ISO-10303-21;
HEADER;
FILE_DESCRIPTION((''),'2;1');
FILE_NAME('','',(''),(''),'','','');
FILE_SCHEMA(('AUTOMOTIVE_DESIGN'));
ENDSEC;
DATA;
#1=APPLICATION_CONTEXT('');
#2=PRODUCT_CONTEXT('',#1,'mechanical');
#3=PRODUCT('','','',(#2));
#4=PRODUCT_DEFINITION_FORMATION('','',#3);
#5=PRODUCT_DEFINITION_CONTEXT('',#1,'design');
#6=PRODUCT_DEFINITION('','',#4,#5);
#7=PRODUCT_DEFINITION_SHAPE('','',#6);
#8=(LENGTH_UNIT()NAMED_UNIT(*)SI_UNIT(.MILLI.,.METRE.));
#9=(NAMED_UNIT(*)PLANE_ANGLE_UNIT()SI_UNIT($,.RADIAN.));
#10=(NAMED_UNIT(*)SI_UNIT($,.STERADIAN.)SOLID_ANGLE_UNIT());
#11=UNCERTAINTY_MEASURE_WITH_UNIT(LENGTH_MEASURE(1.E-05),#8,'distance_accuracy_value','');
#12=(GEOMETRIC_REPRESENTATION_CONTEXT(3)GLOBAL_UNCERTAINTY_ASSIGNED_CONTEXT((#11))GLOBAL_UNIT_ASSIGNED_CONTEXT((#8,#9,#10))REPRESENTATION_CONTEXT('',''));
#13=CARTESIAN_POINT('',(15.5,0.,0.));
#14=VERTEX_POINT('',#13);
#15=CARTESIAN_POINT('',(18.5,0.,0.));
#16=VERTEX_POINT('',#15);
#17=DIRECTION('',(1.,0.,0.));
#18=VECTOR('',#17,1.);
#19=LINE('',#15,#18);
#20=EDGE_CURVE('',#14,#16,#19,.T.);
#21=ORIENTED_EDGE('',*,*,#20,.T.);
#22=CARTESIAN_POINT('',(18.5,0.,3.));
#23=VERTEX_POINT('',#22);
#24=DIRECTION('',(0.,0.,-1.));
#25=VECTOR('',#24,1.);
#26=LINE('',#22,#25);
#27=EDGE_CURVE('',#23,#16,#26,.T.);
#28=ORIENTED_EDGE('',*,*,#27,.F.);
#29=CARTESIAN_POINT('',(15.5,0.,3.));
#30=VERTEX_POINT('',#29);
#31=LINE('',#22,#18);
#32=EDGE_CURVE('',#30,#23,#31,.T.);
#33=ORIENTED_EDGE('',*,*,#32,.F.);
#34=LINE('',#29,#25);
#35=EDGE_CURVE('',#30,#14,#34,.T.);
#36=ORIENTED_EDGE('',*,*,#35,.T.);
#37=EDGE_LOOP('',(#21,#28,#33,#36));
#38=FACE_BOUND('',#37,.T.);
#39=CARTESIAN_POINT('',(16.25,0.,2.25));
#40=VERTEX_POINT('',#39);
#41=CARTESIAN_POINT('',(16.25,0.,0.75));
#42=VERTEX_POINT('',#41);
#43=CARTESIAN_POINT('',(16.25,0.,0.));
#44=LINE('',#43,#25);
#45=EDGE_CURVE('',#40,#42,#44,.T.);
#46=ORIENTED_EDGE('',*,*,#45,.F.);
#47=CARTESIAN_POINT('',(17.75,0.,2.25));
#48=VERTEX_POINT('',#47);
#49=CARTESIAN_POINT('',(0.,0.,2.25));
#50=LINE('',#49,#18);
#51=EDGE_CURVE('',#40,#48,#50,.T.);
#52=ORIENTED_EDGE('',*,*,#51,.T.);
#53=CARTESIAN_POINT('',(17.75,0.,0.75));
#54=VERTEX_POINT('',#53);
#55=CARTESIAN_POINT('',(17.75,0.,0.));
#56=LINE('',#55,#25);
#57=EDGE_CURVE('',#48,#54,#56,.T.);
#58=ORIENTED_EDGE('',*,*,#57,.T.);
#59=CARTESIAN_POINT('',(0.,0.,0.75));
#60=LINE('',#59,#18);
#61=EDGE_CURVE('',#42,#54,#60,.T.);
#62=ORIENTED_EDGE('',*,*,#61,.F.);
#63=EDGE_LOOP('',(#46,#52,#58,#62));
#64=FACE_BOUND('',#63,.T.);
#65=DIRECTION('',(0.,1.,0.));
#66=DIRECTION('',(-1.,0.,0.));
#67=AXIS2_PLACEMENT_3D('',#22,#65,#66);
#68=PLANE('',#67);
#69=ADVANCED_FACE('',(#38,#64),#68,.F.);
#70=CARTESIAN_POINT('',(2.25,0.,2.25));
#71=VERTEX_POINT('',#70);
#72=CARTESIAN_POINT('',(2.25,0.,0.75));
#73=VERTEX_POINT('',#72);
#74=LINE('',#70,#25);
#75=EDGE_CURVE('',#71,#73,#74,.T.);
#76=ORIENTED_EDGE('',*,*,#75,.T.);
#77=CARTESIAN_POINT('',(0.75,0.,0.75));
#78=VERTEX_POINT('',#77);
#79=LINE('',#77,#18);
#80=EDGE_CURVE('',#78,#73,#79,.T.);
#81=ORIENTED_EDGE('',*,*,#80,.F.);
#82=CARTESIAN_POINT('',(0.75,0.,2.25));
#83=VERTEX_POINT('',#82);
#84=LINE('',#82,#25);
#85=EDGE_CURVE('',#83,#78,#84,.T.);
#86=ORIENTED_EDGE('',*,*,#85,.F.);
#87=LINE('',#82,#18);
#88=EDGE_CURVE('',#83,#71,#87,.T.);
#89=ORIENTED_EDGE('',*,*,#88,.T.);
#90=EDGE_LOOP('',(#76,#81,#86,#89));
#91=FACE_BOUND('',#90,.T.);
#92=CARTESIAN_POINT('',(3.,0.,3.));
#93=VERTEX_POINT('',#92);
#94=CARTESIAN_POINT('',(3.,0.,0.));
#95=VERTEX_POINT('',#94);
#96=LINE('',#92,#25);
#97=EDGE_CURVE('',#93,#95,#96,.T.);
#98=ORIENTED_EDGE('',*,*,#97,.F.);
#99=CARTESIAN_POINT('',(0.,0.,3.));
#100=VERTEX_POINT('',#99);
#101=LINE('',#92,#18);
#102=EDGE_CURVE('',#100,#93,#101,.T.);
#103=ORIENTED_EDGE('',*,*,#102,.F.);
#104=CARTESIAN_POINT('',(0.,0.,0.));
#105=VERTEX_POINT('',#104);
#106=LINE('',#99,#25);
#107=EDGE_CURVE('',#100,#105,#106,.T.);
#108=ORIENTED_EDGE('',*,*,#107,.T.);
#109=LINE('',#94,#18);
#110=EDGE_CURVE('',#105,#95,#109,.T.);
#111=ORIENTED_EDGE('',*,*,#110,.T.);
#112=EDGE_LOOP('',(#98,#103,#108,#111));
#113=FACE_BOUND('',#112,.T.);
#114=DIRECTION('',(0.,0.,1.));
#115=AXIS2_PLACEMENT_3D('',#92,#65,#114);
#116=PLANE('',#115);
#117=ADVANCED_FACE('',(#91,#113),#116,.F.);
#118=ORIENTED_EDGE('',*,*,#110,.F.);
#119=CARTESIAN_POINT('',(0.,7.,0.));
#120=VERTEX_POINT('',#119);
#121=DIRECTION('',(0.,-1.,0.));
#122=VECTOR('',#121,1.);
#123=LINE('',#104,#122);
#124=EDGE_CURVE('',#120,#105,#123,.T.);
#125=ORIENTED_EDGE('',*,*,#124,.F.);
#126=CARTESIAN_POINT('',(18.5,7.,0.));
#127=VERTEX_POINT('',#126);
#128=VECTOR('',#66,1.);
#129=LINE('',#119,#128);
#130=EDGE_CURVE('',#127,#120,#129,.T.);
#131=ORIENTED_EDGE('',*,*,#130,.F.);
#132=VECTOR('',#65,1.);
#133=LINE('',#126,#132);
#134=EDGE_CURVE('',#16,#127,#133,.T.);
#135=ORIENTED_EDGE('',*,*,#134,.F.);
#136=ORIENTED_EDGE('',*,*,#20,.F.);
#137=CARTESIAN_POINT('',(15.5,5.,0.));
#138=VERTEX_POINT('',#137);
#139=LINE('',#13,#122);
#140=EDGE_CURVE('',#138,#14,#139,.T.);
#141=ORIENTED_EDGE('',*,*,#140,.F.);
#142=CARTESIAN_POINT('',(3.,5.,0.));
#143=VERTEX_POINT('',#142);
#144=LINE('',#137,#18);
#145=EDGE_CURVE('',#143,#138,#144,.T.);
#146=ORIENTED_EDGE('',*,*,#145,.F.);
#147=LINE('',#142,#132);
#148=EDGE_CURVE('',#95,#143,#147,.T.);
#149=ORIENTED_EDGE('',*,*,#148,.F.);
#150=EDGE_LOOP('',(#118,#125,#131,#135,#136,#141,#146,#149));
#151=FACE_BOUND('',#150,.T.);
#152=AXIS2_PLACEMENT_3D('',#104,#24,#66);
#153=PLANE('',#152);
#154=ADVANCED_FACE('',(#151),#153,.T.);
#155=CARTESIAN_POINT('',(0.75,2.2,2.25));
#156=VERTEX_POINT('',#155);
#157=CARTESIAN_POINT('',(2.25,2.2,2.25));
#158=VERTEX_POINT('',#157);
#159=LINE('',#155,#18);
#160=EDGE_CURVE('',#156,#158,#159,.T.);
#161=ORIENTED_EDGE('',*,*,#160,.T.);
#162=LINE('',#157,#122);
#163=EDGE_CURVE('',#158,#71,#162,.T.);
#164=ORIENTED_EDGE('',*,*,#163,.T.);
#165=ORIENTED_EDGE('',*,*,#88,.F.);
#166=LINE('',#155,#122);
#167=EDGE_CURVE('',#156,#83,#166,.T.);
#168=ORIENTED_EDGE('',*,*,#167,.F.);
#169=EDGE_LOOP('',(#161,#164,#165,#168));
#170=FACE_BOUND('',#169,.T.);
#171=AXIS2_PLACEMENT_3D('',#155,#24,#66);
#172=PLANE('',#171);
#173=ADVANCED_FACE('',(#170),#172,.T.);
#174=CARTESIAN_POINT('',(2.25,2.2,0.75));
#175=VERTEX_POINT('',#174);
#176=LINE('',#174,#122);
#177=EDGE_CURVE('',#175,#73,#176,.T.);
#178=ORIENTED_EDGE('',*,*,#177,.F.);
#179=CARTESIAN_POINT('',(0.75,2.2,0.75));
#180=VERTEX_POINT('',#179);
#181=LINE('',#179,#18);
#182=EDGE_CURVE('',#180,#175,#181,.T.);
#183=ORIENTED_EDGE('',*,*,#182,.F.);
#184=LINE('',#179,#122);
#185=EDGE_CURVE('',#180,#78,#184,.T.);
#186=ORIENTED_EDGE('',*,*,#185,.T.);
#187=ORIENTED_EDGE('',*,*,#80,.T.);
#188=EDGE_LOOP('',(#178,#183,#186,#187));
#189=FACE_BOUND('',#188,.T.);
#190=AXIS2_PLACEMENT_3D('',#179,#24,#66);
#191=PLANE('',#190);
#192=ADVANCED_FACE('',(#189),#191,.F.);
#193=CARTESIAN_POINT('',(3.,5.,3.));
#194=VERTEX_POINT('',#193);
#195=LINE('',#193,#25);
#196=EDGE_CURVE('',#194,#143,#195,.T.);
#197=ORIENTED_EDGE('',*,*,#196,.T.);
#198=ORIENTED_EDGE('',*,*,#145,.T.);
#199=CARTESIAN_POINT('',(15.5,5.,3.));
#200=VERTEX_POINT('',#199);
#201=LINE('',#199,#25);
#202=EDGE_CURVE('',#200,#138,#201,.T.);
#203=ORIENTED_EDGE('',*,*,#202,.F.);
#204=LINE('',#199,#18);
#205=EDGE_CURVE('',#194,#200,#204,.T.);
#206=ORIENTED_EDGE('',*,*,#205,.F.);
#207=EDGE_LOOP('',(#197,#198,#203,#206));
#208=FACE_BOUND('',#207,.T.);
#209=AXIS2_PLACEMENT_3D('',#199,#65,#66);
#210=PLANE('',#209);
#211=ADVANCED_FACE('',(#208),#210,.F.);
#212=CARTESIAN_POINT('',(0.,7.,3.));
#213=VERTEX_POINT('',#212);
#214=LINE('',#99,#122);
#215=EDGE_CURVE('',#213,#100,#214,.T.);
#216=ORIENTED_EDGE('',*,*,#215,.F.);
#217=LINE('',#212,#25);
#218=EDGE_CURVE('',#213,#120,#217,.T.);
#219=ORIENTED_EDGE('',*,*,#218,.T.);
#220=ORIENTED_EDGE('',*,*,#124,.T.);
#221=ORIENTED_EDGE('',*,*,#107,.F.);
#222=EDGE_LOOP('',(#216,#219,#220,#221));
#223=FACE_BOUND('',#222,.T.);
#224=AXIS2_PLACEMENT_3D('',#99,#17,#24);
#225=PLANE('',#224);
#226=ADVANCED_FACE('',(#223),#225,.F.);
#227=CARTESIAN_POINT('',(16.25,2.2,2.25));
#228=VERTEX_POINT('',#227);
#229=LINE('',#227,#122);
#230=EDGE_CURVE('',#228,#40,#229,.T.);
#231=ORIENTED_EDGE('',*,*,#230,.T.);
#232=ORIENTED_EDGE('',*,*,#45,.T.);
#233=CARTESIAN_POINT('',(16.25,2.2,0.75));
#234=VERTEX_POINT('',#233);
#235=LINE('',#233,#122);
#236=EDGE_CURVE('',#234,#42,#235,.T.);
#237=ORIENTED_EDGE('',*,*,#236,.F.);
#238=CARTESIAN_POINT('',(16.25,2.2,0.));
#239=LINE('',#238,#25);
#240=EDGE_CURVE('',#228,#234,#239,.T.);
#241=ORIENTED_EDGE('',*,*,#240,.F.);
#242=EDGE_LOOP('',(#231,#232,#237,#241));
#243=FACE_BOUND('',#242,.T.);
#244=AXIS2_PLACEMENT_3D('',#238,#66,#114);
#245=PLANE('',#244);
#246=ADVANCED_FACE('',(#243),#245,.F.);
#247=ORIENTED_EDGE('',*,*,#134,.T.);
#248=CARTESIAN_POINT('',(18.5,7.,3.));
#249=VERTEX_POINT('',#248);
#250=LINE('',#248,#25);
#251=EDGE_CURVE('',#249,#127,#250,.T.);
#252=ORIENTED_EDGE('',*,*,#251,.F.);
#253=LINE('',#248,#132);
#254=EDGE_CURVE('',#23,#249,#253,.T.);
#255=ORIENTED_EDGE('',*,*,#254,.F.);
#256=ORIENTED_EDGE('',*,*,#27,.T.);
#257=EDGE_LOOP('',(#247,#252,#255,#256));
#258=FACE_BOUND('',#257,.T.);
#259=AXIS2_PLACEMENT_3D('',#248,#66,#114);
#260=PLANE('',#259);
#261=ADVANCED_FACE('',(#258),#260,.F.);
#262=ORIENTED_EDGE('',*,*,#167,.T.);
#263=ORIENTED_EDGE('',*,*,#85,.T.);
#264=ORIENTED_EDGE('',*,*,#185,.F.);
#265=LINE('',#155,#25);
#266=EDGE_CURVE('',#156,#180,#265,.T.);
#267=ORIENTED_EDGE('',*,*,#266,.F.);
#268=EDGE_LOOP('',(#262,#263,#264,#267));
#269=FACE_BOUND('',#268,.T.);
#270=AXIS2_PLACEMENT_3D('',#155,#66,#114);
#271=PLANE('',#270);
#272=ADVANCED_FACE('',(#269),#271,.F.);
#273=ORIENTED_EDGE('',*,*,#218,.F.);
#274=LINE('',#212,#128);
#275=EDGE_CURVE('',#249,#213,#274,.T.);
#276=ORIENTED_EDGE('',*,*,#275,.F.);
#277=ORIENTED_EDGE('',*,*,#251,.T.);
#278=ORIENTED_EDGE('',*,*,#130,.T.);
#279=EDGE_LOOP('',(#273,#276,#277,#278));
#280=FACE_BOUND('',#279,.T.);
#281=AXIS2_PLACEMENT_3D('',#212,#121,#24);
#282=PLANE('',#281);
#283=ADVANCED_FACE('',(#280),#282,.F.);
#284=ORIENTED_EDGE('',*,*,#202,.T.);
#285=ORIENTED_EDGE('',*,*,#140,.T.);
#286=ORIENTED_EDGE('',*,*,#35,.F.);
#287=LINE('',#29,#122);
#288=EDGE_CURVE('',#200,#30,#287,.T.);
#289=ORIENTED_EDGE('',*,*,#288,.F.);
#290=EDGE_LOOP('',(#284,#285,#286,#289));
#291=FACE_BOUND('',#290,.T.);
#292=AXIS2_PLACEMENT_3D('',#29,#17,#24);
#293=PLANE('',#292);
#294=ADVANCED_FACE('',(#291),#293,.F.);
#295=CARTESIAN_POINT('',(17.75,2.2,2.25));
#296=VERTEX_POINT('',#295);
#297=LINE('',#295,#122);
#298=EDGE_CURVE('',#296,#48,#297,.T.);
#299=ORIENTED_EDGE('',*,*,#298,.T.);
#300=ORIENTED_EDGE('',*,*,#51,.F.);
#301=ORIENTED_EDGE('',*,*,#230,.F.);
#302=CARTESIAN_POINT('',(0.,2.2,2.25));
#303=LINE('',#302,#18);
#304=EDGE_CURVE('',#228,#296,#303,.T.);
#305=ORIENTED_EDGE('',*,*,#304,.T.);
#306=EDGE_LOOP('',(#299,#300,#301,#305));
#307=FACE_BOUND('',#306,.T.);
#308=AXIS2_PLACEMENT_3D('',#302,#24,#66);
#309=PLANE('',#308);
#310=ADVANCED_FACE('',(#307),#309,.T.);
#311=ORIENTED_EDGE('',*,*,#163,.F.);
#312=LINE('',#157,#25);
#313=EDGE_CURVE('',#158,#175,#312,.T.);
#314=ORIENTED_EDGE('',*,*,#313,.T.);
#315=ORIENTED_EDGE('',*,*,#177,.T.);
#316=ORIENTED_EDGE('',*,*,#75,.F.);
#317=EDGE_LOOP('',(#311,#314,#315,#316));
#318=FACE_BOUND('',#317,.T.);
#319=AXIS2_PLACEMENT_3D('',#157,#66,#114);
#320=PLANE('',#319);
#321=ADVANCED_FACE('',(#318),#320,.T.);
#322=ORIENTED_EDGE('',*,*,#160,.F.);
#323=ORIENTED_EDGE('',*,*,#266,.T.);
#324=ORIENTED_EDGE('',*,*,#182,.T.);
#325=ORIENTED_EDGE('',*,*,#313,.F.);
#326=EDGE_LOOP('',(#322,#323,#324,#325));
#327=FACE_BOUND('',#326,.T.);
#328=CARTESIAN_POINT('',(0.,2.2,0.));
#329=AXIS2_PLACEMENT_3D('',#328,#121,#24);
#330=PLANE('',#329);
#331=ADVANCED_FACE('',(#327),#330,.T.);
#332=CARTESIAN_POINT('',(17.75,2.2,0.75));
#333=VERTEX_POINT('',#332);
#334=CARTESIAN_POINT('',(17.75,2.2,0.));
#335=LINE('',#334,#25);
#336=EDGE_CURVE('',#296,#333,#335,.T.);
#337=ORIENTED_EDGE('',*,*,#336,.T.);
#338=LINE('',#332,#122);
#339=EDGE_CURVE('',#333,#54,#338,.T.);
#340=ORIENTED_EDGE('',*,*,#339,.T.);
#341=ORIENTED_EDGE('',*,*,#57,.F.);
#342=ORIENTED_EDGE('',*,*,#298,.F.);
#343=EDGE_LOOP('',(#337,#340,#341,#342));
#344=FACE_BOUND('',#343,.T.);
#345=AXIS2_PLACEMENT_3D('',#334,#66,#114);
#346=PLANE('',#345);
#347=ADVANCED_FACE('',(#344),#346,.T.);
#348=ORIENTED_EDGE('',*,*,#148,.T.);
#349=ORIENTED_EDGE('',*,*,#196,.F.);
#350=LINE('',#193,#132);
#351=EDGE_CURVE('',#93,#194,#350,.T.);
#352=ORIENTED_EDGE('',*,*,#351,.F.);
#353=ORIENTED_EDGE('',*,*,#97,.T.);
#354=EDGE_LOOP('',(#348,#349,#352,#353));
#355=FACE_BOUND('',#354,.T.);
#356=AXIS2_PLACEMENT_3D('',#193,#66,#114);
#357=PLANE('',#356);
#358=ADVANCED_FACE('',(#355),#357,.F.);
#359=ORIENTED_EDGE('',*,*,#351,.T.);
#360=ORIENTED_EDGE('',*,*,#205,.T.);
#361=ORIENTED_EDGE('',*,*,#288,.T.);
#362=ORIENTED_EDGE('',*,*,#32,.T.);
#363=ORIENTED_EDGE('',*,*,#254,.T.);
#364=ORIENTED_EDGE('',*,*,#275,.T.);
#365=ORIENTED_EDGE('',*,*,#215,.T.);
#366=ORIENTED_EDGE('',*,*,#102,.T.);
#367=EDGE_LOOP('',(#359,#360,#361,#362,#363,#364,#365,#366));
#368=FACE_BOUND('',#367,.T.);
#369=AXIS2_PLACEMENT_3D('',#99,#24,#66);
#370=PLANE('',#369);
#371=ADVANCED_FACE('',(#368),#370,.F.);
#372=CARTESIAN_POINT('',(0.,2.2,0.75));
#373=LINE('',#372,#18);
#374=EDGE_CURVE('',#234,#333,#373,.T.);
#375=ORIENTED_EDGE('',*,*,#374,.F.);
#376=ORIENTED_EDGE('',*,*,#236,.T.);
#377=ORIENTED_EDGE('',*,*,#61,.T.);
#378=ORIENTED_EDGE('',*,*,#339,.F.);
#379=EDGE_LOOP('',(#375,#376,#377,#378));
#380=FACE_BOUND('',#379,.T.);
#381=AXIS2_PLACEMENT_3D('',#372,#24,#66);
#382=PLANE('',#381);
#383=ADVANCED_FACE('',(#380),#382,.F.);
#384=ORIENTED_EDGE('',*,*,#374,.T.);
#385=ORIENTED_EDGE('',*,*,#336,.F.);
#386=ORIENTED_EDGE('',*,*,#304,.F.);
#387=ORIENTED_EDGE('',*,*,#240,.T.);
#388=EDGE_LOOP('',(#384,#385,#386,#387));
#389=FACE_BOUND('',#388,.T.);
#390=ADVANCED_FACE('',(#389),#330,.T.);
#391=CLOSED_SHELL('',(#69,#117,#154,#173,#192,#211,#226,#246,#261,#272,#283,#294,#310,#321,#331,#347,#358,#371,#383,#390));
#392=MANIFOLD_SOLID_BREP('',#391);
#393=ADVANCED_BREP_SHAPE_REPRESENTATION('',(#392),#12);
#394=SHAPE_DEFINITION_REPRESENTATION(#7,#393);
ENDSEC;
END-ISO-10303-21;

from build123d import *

# Parameters (mm, degrees)
BOSS_EXTRUDE1_DEPTH = 3
SKETCH2_W           = 1.5
SKETCH2_H           = 1.5
CUT_EXTRUDE1_DEPTH  = 2.2


with BuildPart() as part:
    # Sketch1 → Boss-Extrude1 (new body)
    with BuildSketch(Plane.XY):
        Polygon((0, 0), (0, 7), (18.5, 7), (18.5, 0), (15.5, 0), (15.5, 5), (3, 5), (3, 0), align=None)
    extrude(amount=BOSS_EXTRUDE1_DEPTH)

    # Sketch2 → Cut-Extrude1 (cut)
    with BuildSketch(Plane.XZ):
        with Locations((17, 1.5)):
            Rectangle(SKETCH2_W, SKETCH2_H)
        with Locations((1.5, 1.5)):
            Rectangle(SKETCH2_W, SKETCH2_H)
    extrude(amount=-CUT_EXTRUDE1_DEPTH, mode=Mode.SUBTRACT)


solid = part.part
